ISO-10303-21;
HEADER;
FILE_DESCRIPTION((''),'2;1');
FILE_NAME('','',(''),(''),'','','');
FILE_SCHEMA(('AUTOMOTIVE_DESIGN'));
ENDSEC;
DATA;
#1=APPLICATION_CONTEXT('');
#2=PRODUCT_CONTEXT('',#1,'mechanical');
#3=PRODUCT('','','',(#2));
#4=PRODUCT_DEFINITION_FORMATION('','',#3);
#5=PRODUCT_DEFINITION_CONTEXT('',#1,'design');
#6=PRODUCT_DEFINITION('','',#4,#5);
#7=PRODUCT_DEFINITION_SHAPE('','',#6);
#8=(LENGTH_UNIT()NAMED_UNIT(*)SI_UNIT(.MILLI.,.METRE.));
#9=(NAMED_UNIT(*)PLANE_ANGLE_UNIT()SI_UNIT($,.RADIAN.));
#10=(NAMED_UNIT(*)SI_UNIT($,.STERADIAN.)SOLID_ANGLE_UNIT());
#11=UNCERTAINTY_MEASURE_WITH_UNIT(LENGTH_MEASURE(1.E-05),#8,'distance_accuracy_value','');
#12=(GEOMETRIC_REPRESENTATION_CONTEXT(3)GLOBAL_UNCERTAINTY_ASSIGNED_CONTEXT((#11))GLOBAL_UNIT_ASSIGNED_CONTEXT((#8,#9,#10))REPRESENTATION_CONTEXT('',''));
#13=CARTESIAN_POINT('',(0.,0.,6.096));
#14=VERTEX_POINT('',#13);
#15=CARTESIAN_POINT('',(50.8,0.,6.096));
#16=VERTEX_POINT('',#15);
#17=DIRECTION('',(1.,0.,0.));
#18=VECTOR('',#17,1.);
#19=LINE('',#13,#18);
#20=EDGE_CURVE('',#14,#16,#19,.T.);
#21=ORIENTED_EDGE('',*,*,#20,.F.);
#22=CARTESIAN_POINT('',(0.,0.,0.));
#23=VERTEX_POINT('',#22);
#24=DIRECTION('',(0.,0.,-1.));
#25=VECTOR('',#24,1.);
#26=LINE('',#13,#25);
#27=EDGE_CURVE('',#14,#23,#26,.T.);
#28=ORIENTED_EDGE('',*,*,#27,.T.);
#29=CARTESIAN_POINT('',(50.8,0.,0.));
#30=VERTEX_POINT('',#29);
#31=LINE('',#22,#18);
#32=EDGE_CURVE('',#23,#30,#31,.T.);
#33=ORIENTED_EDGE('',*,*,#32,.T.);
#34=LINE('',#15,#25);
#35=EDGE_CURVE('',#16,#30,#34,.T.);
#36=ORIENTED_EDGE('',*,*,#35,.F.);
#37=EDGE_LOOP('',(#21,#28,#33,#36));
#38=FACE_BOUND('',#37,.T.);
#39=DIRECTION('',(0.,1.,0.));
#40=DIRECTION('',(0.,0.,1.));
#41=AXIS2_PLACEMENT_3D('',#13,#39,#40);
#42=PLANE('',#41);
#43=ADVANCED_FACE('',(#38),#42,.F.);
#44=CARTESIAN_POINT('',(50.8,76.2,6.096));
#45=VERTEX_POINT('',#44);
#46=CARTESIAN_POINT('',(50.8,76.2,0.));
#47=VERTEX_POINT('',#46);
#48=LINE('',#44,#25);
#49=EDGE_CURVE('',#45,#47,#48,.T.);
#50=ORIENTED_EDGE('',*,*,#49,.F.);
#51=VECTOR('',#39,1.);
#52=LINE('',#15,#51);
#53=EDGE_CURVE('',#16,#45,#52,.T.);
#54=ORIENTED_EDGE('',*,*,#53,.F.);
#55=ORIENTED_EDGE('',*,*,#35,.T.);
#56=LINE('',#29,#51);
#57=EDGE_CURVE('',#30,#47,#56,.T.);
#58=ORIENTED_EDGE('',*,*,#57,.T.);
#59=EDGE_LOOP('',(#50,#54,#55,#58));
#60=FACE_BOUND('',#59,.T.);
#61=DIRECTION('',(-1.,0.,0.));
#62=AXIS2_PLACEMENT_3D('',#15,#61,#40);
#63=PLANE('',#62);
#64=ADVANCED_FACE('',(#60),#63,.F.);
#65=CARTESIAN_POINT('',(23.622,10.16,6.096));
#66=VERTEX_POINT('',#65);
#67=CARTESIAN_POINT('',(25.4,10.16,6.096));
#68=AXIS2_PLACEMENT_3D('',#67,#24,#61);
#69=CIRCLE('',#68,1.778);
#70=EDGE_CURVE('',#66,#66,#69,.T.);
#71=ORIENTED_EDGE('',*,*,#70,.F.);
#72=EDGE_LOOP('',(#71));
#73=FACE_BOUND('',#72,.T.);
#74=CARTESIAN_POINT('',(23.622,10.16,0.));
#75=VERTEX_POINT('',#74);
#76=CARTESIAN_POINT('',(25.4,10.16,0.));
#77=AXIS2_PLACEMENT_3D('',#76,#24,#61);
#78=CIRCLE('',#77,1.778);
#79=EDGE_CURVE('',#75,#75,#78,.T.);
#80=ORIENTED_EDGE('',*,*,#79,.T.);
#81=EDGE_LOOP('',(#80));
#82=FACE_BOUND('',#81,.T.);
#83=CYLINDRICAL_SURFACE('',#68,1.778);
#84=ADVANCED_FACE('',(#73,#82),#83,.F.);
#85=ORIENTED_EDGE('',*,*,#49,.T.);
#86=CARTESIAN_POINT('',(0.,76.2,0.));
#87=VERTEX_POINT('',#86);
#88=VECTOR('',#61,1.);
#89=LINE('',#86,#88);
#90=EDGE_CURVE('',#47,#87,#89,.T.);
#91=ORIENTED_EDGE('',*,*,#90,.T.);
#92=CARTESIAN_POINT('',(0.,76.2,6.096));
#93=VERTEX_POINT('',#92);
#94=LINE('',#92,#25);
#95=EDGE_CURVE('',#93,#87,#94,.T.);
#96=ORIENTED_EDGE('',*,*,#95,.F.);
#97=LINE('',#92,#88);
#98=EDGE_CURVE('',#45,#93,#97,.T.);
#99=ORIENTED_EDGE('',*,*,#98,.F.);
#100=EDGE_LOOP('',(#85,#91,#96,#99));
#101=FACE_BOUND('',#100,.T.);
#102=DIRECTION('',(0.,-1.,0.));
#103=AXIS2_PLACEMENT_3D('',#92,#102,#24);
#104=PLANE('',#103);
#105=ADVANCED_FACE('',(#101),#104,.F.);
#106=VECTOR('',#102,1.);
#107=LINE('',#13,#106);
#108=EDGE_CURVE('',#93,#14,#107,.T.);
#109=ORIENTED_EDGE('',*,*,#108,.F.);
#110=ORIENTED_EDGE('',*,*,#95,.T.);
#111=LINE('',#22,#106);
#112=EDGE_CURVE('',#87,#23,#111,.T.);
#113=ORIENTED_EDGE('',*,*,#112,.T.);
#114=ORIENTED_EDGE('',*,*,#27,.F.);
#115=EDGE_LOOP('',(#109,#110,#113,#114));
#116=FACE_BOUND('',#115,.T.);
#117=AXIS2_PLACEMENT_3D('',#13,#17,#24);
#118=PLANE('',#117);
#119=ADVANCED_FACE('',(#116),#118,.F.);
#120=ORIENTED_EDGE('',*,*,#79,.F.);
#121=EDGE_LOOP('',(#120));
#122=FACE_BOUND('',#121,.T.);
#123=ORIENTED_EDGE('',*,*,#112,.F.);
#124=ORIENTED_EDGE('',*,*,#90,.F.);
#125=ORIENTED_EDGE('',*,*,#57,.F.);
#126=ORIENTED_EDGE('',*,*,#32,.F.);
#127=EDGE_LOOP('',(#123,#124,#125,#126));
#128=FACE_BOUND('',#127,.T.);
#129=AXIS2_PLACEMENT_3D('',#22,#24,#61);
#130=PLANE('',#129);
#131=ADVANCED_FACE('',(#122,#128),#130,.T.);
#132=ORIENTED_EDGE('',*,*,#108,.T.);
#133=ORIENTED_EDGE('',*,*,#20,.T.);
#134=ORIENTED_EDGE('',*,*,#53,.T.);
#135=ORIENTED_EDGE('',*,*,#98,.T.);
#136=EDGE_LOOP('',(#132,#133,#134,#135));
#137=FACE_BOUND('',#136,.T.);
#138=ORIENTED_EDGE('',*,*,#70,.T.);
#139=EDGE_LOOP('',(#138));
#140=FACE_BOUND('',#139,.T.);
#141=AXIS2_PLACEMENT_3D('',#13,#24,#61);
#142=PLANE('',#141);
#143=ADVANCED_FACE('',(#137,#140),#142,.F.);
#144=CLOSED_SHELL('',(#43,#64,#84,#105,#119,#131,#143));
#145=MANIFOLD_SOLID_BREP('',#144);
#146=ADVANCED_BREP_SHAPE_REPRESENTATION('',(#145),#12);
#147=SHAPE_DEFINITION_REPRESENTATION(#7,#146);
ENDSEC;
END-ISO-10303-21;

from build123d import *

# Parameters (mm, degrees)
SKETCH1_W           = 50.8
SKETCH1_H           = 76.2
BOSS_EXTRUDE1_DEPTH = 6.096
SKETCH2_R           = 1.778
CUT_EXTRUDE1_DEPTH  = 7.096


with BuildPart() as part:
    # Sketch1 → Boss-Extrude1 (new body)
    with BuildSketch(Plane.XY):
        with Locations((25.4, 38.1)):
            Rectangle(SKETCH1_W, SKETCH1_H)
    extrude(amount=BOSS_EXTRUDE1_DEPTH)

    # Sketch2 → Cut-Extrude1 (cut, through all)
    with BuildSketch(Plane(origin=(0, 0, 0), x_dir=(-1, 0, 0), z_dir=(0, 0, -1))):
        with Locations((-25.4, 10.16)):
            Circle(SKETCH2_R)
    extrude(amount=-CUT_EXTRUDE1_DEPTH, mode=Mode.SUBTRACT)


solid = part.part
